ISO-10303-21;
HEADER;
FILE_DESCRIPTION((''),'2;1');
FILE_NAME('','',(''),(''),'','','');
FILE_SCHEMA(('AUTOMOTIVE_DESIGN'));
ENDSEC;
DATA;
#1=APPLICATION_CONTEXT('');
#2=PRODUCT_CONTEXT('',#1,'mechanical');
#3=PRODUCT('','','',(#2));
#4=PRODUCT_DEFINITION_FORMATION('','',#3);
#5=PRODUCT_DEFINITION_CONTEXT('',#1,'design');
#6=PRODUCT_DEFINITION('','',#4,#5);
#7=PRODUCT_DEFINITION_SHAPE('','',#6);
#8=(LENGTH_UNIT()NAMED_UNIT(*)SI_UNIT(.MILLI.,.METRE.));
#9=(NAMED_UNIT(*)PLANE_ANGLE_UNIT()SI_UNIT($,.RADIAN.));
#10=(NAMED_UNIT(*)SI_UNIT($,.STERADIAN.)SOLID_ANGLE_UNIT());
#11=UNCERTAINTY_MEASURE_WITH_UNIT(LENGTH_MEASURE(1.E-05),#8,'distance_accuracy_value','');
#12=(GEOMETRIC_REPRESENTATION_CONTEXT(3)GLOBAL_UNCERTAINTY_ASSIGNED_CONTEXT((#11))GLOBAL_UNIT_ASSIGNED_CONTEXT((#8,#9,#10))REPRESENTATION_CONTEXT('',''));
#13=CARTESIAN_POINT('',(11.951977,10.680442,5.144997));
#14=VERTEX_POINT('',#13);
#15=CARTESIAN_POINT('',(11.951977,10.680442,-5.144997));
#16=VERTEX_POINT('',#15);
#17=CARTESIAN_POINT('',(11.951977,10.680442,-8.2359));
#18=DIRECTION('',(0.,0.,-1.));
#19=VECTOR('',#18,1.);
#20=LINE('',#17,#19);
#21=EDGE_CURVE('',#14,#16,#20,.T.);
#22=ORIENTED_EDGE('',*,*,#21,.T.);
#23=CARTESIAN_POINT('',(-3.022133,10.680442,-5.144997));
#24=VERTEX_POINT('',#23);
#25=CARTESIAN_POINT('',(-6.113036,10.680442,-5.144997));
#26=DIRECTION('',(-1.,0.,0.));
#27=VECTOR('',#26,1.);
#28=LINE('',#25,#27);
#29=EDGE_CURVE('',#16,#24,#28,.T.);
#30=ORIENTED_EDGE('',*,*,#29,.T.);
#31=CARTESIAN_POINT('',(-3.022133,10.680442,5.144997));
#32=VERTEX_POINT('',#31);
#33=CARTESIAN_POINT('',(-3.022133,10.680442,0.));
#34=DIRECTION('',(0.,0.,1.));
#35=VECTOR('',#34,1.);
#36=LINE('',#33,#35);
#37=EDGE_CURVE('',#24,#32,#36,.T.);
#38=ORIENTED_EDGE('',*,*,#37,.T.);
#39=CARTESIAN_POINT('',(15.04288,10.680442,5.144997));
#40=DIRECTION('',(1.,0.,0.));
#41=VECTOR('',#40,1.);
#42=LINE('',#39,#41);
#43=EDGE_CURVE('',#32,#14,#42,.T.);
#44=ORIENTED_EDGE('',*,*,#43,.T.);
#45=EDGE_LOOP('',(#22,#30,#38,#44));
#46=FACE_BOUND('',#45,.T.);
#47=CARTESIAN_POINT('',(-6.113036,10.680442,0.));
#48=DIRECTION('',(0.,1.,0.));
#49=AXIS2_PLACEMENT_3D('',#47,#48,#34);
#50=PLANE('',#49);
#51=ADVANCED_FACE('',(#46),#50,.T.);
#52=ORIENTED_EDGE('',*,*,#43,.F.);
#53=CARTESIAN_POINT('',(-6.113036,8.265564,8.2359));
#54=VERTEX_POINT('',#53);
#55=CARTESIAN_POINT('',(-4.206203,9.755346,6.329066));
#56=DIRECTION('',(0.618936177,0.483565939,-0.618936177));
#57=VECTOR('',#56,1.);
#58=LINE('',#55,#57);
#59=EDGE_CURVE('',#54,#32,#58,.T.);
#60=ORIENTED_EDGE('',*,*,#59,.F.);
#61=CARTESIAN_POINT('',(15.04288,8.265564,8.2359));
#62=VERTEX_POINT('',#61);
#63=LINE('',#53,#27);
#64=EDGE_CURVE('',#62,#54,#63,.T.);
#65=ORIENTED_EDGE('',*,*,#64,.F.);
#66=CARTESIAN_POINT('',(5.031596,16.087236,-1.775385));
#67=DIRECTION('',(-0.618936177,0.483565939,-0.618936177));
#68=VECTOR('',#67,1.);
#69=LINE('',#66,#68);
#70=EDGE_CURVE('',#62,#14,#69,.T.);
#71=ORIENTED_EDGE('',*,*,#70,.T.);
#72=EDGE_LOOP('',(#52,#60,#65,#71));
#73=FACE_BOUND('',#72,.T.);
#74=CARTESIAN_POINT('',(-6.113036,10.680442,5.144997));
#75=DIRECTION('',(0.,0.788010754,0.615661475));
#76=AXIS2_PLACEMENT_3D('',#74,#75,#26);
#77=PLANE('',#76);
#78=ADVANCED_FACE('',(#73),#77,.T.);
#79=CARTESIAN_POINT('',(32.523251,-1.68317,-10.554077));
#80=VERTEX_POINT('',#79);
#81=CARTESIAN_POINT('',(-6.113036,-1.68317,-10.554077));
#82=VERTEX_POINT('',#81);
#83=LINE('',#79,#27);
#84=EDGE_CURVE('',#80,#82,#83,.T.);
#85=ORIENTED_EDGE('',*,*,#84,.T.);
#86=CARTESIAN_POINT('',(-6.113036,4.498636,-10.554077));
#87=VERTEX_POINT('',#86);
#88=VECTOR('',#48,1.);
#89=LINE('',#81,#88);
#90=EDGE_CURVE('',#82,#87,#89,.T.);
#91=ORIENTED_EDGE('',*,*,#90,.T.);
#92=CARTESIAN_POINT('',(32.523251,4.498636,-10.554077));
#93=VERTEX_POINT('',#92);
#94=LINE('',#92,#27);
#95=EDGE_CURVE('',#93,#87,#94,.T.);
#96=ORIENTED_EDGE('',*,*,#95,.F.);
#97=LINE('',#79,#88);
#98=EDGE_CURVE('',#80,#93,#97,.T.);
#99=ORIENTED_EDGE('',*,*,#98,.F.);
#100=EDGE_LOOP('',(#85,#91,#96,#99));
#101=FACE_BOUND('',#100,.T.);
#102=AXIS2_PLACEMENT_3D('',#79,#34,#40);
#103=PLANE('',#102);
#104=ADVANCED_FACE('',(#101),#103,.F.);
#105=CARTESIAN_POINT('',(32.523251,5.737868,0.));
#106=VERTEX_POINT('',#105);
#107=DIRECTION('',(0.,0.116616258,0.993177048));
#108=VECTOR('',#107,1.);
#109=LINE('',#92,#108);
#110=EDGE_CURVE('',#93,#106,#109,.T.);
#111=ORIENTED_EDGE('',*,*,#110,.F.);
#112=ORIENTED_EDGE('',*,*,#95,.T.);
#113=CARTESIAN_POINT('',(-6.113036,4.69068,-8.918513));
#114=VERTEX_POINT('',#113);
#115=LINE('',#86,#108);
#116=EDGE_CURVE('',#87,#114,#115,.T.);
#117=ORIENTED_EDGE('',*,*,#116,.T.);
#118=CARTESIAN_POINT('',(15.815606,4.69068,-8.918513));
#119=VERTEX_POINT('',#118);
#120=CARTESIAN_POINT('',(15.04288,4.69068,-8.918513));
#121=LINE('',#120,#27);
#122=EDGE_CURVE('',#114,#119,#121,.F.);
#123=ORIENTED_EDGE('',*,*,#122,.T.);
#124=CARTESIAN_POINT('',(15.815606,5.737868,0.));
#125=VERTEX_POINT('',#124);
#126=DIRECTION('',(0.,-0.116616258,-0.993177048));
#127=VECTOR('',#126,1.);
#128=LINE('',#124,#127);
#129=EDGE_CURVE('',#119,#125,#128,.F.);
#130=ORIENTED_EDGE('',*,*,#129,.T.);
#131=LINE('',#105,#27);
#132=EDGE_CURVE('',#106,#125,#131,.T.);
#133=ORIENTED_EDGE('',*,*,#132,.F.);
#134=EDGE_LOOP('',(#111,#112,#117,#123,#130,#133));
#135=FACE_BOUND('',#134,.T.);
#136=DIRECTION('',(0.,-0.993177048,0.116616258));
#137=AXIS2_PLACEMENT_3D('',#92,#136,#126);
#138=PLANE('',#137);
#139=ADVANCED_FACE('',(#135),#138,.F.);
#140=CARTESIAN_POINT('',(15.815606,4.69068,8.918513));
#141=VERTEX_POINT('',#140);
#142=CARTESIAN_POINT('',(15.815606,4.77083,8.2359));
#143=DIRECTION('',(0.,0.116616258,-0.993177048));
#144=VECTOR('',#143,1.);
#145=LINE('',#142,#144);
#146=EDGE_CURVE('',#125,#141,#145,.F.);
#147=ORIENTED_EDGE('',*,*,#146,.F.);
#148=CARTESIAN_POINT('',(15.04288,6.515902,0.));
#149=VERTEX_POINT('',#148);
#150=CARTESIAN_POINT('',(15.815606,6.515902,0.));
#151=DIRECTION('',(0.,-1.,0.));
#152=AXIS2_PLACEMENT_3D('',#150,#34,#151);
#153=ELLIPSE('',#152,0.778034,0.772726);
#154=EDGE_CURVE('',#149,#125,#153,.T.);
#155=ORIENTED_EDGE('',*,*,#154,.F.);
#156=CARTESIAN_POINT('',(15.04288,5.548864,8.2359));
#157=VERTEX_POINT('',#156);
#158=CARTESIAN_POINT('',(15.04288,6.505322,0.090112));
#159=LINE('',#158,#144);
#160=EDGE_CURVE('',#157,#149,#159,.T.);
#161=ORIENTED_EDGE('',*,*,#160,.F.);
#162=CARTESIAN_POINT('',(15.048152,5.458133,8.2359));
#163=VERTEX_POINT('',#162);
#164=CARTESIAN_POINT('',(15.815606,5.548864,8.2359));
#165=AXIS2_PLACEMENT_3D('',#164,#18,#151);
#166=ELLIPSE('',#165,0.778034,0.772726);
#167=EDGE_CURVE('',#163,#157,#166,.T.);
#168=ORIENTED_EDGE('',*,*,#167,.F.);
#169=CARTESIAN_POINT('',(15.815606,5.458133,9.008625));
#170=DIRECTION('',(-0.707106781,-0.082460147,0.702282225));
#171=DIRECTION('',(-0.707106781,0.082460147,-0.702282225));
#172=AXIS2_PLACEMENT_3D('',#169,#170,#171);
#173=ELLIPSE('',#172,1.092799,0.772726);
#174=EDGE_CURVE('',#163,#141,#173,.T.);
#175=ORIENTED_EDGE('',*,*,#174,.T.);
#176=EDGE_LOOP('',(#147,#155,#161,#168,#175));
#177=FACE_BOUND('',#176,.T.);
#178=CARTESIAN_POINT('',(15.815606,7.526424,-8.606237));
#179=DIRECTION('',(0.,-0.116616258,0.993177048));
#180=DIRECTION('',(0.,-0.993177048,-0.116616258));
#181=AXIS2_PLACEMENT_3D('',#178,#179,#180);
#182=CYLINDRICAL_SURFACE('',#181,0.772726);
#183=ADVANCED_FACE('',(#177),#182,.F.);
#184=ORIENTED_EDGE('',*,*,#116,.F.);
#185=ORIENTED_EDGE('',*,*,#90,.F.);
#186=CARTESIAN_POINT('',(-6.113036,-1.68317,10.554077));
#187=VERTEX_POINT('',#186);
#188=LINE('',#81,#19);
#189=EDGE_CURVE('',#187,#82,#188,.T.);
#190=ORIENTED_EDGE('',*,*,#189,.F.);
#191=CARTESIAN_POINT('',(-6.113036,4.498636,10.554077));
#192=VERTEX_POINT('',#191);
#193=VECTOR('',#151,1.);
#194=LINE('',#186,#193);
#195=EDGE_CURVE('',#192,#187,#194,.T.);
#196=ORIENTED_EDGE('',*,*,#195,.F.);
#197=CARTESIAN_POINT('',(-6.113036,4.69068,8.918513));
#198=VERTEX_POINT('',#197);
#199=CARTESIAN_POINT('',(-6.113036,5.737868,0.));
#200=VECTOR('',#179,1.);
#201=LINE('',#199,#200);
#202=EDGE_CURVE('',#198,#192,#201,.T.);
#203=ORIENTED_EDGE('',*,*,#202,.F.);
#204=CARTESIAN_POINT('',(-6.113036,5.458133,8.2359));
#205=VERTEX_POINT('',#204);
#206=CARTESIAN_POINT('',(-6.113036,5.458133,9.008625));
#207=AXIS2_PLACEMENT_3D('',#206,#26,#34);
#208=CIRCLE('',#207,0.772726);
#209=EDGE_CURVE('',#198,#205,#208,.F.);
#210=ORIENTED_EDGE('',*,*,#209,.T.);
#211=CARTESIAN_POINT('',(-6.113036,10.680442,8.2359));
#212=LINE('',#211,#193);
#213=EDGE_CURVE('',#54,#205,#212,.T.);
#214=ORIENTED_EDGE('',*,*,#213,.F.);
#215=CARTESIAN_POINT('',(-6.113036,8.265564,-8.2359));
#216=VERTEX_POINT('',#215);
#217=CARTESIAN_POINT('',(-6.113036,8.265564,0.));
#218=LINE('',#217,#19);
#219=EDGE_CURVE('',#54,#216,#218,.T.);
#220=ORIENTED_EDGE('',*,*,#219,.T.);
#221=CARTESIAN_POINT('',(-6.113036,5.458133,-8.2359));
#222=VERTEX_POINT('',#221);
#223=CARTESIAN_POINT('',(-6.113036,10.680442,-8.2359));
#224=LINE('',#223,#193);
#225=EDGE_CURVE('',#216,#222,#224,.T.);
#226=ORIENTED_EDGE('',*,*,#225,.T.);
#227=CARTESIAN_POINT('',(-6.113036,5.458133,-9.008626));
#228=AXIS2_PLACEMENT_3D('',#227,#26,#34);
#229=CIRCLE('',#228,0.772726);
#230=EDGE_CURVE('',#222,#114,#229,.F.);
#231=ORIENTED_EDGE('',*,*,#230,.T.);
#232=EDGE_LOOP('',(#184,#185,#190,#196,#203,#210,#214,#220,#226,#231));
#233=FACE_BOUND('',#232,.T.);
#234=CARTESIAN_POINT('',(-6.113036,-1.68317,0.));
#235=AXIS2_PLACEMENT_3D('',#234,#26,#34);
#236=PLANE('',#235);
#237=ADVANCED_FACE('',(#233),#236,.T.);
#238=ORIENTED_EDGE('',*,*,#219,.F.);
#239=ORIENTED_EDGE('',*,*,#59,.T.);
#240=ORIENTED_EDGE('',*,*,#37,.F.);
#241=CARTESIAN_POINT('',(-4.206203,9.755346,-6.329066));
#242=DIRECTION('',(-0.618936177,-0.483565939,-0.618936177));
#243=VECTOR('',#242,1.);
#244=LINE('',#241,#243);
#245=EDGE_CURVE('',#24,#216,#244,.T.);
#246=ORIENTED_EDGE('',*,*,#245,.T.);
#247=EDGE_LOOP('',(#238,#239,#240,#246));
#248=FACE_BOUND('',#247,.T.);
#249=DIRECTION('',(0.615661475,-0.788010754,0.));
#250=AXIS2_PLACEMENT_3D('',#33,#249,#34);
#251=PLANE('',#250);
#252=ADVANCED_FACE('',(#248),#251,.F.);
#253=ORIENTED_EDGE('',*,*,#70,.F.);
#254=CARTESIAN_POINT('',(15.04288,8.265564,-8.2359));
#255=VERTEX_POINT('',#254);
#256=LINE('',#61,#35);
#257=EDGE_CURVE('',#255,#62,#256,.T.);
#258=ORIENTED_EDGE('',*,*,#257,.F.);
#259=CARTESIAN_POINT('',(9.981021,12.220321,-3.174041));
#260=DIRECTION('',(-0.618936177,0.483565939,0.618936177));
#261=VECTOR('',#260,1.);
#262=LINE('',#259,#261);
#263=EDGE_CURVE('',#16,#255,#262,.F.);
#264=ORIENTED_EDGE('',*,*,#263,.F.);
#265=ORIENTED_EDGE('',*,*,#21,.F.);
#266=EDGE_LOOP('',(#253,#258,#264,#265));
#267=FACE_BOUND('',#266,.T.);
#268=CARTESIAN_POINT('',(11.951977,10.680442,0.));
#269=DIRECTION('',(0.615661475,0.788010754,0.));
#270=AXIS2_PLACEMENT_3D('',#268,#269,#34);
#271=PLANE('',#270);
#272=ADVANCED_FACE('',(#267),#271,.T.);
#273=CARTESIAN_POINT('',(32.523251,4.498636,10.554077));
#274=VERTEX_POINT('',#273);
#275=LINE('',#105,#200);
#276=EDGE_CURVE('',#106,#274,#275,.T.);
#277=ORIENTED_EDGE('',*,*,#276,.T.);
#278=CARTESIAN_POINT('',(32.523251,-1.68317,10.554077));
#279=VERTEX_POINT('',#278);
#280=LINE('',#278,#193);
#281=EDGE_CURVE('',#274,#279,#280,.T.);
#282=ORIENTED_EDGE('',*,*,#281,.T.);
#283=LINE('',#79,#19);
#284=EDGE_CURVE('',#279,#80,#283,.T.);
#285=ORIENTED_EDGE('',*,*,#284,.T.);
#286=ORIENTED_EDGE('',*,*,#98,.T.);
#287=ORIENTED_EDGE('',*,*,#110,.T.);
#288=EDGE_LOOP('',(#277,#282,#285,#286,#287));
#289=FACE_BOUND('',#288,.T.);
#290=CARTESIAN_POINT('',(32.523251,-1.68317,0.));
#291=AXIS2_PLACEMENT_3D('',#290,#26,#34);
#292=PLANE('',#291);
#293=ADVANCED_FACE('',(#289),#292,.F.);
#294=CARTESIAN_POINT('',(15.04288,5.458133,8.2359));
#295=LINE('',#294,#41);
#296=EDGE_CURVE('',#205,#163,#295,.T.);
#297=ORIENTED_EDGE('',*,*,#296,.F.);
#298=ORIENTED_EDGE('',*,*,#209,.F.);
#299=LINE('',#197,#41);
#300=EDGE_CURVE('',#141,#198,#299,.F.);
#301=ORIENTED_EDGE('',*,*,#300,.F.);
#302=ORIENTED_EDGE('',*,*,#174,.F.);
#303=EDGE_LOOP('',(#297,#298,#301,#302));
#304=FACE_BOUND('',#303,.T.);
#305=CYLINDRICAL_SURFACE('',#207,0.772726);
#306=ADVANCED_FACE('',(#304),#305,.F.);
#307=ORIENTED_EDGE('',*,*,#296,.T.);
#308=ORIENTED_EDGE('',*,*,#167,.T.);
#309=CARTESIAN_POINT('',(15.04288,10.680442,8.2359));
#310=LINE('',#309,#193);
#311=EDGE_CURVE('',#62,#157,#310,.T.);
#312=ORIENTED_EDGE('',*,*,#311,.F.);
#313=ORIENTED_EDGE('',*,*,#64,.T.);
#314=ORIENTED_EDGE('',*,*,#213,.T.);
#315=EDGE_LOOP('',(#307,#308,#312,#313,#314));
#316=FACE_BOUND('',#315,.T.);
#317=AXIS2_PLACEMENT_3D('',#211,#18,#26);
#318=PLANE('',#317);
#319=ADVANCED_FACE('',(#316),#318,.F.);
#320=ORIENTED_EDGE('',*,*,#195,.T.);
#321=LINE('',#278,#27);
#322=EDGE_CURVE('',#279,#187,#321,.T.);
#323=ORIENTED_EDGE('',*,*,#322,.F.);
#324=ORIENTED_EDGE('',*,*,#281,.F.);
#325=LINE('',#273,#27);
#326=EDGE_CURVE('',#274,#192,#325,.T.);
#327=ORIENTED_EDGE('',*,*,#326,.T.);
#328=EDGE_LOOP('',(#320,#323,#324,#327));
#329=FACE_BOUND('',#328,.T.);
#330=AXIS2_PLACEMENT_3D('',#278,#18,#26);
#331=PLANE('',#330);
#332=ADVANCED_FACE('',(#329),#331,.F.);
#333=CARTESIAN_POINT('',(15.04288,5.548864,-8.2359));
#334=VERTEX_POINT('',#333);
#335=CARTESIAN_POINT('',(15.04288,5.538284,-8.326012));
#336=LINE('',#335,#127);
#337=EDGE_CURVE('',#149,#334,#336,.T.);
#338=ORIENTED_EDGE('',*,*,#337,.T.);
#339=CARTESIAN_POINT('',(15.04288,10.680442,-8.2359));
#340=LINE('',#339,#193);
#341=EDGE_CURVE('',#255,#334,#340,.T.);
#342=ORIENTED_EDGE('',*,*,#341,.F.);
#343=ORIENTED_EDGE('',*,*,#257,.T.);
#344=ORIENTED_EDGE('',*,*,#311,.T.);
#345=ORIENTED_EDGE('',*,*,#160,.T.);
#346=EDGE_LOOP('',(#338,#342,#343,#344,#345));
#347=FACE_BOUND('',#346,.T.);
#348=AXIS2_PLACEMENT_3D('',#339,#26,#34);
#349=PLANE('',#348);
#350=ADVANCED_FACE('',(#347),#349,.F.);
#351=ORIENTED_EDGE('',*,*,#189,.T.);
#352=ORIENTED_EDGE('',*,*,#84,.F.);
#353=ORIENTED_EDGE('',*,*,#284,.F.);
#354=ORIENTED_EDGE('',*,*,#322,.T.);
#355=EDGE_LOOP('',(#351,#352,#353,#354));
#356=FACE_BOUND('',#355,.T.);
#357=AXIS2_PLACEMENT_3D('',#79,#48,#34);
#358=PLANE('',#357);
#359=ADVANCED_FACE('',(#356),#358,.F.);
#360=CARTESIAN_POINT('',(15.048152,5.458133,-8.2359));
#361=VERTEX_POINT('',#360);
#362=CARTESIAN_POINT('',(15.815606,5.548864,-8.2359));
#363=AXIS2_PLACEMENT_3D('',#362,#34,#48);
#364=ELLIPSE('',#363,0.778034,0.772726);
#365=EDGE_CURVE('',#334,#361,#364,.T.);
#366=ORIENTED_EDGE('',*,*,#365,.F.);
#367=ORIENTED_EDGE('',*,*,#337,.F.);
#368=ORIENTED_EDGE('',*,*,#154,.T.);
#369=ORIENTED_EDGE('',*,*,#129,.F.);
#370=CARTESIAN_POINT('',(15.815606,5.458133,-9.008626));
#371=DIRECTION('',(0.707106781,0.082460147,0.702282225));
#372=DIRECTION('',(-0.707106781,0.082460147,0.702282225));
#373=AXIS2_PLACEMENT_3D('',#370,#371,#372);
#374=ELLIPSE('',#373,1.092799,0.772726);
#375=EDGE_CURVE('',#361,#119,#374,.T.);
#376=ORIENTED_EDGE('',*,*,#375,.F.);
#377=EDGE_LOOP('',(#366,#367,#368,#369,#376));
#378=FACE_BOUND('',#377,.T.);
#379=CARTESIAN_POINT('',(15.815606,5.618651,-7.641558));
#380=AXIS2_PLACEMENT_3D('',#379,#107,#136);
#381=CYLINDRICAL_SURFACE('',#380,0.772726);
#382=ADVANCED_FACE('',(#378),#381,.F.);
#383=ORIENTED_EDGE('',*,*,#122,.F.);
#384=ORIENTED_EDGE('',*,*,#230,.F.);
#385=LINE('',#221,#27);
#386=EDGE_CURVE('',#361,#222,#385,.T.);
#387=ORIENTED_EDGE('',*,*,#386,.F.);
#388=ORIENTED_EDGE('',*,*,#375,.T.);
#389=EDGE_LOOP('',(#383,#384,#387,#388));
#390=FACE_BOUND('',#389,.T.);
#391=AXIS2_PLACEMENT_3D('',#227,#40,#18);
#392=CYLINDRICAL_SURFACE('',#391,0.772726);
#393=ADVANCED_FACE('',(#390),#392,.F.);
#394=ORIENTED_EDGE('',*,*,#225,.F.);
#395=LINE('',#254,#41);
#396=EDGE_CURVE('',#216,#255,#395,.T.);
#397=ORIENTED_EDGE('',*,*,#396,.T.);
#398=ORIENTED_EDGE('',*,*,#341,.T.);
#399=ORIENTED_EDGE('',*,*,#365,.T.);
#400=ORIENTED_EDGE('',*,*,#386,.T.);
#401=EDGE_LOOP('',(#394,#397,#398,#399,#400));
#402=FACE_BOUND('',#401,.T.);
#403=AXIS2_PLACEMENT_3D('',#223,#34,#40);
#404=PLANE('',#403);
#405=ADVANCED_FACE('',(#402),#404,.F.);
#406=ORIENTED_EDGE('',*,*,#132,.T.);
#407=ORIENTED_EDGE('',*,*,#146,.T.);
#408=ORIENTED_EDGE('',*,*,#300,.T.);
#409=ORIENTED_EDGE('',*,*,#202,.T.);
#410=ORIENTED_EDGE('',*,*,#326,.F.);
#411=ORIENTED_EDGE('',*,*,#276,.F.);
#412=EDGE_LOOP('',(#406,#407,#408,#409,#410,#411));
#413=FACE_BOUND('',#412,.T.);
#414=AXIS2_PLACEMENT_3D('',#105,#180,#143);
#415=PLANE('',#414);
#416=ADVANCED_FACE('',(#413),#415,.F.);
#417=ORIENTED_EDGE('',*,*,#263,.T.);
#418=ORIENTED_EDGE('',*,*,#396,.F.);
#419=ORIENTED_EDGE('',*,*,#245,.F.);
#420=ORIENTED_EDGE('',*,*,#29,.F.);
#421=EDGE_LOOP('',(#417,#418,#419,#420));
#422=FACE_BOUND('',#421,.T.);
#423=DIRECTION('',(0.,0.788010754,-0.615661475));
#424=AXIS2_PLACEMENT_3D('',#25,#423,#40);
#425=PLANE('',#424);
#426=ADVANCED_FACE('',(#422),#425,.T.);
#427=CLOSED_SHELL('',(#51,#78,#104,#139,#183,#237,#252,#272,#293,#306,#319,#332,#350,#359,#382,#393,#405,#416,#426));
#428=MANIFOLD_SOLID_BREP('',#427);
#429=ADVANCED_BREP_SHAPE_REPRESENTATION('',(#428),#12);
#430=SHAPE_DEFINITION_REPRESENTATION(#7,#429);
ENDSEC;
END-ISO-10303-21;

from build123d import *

# Parameters (mm, degrees)
SALIENTE_EXTRUIR1_DEPTH = 25
CROQUIS2_W              = 13.689149165
CROQUIS2_H              = 10.658244286
SALIENTE_EXTRUIR2_DEPTH = 8
REDONDEO1_R             = 0.5
CHAFL_N2_SIZE           = 2
CHAFL_N2_SIZE2          = 1.562571253
ESCALA2_SCALE           = 1.5
ESCALA3_SCALE           = 1.01
ESCALA4_SCALE           = 1.01
ESCALA5_SCALE           = 1.01


with BuildPart() as part:
    # Croquis1 → Saliente-Extruir1 (new body)
    with BuildSketch(Plane(origin=(0, 0, 0), x_dir=(0, 0, -1), z_dir=(1, 0, 0))):
        Polygon((6.829122143, 0), (-6.829122143, 0), (-6.829122143, 4), (0, 4.801857706), (6.829122143, 4), align=None)
    extrude(amount=SALIENTE_EXTRUIR1_DEPTH)

    # Croquis2 → Saliente-Extruir2 (add)
    with BuildSketch(Plane(origin=(0, 0, 0), x_dir=(1, 0, 0), z_dir=(0, 1, 0))):
        with Locations((6.844574583, 0)):
            Rectangle(CROQUIS2_W, CROQUIS2_H)
    extrude(amount=SALIENTE_EXTRUIR2_DEPTH)

    # Redondeo1
    redondeo1_edges = [part.edges().sort_by_distance(p)[0] for p in [
        (13.689149165, 4.488991896, 2.664561071),
        (13.689149165, 4.488991896, -2.664561071),
        (6.844574582, 4.176126087, 5.329122143),
        (6.844574582, 4.176126087, -5.329122143),
    ]]
    fillet(redondeo1_edges, radius=REDONDEO1_R)

    # Chaflán2
    chafl_n2_edges = [part.edges().sort_by_distance(p)[0] for p in [
        (0, 8, 0),
        (6.844574582, 8, 5.329122143),
        (13.689149165, 8, 0),
        (6.844574582, 8, -5.329122143),
    ]]
    chafl_n2_side = [part.faces().sort_by_distance(p)[0] for p in [
        (6.844574582, 8, 0),
    ]]
    chamfer(chafl_n2_edges, length=CHAFL_N2_SIZE, length2=CHAFL_N2_SIZE2, reference=chafl_n2_side[0])


with BuildPart() as part_1:
    # Escala2: scaled about (11.207296742, 3.085828341, 0)
    add(part.part.scale(ESCALA2_SCALE).moved(Location((-5.603648371, -1.542914171, 0))))


with BuildPart() as part_2:
    # Escala3: scaled about (11.207296743, 3.085828341, 0)
    add(part_1.part.scale(ESCALA3_SCALE).moved(Location((-0.112072967, -0.030858283, 0))))


with BuildPart() as part_3:
    # Escala4: scaled about (11.207296743, 3.085828341, 0)
    add(part_2.part.scale(ESCALA4_SCALE).moved(Location((-0.112072967, -0.030858283, 0))))


with BuildPart() as part_4:
    # Escala5: scaled about (11.207296743, 3.085828341, 0)
    add(part_3.part.scale(ESCALA5_SCALE).moved(Location((-0.112072967, -0.030858283, 0))))


solid = part_4.part
